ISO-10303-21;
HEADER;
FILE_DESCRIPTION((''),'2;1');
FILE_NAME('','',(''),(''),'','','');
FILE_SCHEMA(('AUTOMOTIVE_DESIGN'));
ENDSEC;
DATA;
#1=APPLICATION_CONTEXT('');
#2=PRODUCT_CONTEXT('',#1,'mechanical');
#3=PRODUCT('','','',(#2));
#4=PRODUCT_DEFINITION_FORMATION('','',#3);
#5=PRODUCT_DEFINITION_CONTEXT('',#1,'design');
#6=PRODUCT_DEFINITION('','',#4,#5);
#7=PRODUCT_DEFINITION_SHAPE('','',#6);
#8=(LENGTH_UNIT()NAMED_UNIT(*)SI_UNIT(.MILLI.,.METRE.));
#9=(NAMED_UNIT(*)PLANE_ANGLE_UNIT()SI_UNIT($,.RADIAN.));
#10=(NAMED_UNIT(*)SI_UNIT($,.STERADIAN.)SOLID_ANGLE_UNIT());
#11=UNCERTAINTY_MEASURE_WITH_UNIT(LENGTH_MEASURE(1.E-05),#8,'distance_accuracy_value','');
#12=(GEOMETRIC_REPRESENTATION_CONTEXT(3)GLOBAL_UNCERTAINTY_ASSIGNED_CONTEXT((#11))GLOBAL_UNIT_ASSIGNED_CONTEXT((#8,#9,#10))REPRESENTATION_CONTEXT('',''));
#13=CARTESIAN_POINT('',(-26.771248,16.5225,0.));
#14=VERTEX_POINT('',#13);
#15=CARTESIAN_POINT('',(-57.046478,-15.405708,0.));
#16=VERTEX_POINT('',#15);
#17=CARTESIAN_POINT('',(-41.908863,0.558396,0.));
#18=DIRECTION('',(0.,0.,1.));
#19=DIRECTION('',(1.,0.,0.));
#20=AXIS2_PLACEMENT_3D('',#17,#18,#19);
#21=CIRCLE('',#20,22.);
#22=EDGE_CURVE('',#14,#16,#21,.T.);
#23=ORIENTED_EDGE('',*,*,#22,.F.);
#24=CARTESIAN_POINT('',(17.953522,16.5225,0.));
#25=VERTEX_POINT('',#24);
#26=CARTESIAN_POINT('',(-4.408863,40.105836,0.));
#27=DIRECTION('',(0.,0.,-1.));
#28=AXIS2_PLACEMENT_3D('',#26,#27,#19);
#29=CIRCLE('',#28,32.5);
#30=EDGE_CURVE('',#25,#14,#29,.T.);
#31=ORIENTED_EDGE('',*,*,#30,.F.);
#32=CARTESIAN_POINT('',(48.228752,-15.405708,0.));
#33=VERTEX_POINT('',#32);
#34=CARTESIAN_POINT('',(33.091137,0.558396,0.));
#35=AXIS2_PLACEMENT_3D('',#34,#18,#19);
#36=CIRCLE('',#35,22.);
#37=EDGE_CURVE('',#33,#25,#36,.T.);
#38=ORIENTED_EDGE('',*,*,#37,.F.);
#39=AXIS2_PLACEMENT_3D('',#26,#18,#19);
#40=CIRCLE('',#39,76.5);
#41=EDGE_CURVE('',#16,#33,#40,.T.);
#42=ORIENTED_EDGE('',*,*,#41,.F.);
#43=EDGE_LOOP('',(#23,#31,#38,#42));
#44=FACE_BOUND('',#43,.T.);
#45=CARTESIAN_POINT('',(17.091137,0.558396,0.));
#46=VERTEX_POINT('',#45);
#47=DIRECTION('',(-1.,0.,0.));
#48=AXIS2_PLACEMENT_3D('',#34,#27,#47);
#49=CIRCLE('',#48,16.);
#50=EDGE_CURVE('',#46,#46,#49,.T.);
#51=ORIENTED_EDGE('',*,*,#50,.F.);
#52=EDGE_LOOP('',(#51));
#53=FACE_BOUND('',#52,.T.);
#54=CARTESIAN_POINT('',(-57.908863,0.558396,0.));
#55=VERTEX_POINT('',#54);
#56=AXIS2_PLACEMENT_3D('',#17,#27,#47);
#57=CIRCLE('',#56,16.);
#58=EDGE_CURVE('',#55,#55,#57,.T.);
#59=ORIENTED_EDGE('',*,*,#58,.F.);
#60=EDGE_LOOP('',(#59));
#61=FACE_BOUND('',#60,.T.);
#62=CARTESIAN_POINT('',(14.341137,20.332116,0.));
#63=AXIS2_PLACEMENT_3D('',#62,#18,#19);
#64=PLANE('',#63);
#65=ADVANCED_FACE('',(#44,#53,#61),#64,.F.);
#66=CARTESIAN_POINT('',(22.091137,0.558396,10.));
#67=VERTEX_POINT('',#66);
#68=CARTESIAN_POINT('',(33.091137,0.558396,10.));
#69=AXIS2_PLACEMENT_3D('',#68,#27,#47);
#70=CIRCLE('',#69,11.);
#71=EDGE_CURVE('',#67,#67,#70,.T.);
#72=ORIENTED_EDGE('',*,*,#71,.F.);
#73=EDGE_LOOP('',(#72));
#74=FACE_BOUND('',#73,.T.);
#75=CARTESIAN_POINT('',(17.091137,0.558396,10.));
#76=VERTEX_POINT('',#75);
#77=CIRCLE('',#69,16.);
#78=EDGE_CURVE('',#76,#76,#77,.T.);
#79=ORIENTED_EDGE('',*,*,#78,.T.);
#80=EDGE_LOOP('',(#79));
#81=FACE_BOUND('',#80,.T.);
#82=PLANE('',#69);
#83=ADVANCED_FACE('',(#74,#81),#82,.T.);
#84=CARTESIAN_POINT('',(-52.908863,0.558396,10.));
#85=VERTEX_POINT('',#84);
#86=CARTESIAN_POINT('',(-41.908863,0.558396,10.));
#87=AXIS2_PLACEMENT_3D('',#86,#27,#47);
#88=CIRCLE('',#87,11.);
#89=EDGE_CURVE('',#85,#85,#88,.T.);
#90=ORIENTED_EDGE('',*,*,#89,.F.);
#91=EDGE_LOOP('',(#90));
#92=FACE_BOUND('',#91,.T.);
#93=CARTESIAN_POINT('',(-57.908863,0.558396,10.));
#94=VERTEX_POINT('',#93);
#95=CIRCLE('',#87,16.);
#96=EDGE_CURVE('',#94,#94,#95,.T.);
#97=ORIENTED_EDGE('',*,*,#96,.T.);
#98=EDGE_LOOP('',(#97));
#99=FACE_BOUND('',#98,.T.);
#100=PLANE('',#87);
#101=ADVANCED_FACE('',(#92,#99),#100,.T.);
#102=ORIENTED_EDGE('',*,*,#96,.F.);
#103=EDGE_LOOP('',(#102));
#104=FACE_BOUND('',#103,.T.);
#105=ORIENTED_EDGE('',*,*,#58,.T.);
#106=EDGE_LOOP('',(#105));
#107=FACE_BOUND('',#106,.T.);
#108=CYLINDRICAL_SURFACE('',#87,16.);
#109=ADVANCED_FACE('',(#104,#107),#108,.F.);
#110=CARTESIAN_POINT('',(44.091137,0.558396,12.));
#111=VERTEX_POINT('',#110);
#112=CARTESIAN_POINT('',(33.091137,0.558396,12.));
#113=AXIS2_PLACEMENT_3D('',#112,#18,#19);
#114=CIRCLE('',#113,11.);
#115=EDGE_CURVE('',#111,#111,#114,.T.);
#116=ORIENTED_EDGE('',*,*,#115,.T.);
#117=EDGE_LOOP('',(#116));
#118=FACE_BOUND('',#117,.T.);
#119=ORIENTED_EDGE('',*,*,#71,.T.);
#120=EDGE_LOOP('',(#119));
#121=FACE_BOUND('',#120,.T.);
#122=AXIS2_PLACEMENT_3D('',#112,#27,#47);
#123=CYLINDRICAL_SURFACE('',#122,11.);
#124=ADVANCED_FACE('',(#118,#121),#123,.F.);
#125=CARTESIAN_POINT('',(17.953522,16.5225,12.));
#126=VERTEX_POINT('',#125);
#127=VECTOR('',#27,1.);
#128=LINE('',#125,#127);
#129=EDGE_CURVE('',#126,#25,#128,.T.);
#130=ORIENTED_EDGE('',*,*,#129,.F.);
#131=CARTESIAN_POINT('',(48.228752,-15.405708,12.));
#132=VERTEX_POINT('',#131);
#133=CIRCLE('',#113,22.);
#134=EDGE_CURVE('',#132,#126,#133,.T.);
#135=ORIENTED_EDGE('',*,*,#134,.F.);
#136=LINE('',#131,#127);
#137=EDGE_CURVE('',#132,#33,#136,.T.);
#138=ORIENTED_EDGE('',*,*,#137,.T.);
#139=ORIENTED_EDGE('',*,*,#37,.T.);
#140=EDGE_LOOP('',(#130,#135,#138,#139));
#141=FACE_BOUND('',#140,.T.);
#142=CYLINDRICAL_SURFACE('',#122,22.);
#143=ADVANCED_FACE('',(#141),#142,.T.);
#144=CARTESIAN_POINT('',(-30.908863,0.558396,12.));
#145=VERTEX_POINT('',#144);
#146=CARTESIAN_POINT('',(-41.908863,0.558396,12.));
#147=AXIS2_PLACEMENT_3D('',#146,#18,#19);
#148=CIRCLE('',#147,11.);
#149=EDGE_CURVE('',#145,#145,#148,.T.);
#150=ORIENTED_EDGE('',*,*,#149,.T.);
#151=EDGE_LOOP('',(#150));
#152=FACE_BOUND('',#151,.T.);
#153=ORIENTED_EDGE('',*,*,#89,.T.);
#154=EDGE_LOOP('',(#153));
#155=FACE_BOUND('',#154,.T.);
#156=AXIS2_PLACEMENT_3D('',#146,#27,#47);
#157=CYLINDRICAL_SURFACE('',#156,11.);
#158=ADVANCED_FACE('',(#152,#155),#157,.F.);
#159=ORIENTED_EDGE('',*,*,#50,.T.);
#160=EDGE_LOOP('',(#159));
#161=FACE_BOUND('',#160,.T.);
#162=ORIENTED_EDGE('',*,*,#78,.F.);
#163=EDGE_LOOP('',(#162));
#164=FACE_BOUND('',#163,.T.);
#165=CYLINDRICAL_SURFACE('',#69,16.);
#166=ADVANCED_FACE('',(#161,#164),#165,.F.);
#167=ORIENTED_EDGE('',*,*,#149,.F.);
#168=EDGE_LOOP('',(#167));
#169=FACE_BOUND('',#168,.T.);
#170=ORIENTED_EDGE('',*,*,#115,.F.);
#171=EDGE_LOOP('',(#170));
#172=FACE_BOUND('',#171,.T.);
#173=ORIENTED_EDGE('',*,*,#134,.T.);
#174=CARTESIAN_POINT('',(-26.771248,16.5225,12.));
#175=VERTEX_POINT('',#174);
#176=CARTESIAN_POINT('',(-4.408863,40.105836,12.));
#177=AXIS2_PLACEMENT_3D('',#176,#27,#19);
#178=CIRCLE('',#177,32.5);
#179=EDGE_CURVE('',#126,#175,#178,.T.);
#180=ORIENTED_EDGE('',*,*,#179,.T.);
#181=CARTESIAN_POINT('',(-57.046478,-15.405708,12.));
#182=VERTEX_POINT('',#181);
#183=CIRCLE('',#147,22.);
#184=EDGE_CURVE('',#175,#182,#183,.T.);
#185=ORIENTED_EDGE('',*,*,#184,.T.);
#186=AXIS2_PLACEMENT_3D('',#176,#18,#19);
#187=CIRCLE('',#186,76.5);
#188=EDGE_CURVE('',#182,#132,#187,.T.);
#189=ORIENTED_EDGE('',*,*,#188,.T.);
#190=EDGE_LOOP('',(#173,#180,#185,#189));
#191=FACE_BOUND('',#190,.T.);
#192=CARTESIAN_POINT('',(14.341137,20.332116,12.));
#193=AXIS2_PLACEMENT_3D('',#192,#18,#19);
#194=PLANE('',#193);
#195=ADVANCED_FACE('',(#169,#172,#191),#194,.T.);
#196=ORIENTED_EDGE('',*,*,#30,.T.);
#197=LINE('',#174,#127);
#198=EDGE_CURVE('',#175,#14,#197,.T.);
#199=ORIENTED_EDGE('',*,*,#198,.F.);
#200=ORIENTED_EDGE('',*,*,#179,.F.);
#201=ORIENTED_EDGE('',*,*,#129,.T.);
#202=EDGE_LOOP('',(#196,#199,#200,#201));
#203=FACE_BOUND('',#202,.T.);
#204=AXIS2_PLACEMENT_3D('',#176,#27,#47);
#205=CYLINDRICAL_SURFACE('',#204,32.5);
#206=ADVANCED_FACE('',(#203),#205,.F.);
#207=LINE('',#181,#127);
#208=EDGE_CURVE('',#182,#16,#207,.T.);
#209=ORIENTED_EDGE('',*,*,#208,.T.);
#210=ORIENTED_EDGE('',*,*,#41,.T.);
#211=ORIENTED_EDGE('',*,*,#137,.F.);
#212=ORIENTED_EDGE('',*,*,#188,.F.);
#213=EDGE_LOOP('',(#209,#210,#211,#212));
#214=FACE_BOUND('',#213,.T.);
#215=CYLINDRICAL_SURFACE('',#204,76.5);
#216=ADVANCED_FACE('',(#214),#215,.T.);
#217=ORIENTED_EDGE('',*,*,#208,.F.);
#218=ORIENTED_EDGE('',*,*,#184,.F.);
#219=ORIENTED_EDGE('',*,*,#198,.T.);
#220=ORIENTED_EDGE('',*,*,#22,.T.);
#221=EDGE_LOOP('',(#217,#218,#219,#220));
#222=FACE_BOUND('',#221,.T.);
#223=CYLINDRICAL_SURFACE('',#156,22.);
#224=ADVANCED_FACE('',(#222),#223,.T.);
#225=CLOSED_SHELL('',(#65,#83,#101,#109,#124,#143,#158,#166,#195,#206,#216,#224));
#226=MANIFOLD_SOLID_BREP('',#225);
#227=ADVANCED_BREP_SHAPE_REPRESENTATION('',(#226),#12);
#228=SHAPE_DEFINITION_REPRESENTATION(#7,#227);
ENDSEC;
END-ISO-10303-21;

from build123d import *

# Parameters (mm, degrees)
CROQUIS1_R              = 11
SALIENTE_EXTRUIR1_DEPTH = 12
CROQUIS3_R              = 16
CORTAR_EXTRUIR2_DEPTH   = 10


with BuildPart() as part:
    # Croquis1 → Saliente-Extruir1 (new body)
    with BuildSketch(Plane.XY):
        with BuildLine():
            ThreePointArc((-26.771248385, 16.522500226), (-57.87296723, 15.696010738), (-57.046477743, -15.405708107))
            ThreePointArc((-57.046477743, -15.405708107), (-4.408863064, -36.394164074), (48.228751615, -15.405708107))
            ThreePointArc((48.228751615, -15.405708107), (49.055241102, 15.696010738), (17.953522257, 16.522500226))
            ThreePointArc((17.953522257, 16.522500226), (-4.408863064, 7.605835926), (-26.771248385, 16.522500226))
        make_face()
        with Locations((-41.908863064, 0.558396059)):
            Circle(CROQUIS1_R, mode=Mode.SUBTRACT)
        with Locations((33.091136936, 0.558396059)):
            Circle(CROQUIS1_R, mode=Mode.SUBTRACT)
    extrude(amount=SALIENTE_EXTRUIR1_DEPTH)

    # Croquis3 → Cortar-Extruir2 (cut)
    with BuildSketch(Plane(origin=(0, 0, 0), x_dir=(-1, 0, 0), z_dir=(0, 0, -1))):
        with Locations((41.908863064, 0.558396059)):
            Circle(CROQUIS3_R)
        with Locations((-33.091136936, 0.558396059)):
            Circle(CROQUIS3_R)
    extrude(amount=-CORTAR_EXTRUIR2_DEPTH, mode=Mode.SUBTRACT)


solid = part.part
